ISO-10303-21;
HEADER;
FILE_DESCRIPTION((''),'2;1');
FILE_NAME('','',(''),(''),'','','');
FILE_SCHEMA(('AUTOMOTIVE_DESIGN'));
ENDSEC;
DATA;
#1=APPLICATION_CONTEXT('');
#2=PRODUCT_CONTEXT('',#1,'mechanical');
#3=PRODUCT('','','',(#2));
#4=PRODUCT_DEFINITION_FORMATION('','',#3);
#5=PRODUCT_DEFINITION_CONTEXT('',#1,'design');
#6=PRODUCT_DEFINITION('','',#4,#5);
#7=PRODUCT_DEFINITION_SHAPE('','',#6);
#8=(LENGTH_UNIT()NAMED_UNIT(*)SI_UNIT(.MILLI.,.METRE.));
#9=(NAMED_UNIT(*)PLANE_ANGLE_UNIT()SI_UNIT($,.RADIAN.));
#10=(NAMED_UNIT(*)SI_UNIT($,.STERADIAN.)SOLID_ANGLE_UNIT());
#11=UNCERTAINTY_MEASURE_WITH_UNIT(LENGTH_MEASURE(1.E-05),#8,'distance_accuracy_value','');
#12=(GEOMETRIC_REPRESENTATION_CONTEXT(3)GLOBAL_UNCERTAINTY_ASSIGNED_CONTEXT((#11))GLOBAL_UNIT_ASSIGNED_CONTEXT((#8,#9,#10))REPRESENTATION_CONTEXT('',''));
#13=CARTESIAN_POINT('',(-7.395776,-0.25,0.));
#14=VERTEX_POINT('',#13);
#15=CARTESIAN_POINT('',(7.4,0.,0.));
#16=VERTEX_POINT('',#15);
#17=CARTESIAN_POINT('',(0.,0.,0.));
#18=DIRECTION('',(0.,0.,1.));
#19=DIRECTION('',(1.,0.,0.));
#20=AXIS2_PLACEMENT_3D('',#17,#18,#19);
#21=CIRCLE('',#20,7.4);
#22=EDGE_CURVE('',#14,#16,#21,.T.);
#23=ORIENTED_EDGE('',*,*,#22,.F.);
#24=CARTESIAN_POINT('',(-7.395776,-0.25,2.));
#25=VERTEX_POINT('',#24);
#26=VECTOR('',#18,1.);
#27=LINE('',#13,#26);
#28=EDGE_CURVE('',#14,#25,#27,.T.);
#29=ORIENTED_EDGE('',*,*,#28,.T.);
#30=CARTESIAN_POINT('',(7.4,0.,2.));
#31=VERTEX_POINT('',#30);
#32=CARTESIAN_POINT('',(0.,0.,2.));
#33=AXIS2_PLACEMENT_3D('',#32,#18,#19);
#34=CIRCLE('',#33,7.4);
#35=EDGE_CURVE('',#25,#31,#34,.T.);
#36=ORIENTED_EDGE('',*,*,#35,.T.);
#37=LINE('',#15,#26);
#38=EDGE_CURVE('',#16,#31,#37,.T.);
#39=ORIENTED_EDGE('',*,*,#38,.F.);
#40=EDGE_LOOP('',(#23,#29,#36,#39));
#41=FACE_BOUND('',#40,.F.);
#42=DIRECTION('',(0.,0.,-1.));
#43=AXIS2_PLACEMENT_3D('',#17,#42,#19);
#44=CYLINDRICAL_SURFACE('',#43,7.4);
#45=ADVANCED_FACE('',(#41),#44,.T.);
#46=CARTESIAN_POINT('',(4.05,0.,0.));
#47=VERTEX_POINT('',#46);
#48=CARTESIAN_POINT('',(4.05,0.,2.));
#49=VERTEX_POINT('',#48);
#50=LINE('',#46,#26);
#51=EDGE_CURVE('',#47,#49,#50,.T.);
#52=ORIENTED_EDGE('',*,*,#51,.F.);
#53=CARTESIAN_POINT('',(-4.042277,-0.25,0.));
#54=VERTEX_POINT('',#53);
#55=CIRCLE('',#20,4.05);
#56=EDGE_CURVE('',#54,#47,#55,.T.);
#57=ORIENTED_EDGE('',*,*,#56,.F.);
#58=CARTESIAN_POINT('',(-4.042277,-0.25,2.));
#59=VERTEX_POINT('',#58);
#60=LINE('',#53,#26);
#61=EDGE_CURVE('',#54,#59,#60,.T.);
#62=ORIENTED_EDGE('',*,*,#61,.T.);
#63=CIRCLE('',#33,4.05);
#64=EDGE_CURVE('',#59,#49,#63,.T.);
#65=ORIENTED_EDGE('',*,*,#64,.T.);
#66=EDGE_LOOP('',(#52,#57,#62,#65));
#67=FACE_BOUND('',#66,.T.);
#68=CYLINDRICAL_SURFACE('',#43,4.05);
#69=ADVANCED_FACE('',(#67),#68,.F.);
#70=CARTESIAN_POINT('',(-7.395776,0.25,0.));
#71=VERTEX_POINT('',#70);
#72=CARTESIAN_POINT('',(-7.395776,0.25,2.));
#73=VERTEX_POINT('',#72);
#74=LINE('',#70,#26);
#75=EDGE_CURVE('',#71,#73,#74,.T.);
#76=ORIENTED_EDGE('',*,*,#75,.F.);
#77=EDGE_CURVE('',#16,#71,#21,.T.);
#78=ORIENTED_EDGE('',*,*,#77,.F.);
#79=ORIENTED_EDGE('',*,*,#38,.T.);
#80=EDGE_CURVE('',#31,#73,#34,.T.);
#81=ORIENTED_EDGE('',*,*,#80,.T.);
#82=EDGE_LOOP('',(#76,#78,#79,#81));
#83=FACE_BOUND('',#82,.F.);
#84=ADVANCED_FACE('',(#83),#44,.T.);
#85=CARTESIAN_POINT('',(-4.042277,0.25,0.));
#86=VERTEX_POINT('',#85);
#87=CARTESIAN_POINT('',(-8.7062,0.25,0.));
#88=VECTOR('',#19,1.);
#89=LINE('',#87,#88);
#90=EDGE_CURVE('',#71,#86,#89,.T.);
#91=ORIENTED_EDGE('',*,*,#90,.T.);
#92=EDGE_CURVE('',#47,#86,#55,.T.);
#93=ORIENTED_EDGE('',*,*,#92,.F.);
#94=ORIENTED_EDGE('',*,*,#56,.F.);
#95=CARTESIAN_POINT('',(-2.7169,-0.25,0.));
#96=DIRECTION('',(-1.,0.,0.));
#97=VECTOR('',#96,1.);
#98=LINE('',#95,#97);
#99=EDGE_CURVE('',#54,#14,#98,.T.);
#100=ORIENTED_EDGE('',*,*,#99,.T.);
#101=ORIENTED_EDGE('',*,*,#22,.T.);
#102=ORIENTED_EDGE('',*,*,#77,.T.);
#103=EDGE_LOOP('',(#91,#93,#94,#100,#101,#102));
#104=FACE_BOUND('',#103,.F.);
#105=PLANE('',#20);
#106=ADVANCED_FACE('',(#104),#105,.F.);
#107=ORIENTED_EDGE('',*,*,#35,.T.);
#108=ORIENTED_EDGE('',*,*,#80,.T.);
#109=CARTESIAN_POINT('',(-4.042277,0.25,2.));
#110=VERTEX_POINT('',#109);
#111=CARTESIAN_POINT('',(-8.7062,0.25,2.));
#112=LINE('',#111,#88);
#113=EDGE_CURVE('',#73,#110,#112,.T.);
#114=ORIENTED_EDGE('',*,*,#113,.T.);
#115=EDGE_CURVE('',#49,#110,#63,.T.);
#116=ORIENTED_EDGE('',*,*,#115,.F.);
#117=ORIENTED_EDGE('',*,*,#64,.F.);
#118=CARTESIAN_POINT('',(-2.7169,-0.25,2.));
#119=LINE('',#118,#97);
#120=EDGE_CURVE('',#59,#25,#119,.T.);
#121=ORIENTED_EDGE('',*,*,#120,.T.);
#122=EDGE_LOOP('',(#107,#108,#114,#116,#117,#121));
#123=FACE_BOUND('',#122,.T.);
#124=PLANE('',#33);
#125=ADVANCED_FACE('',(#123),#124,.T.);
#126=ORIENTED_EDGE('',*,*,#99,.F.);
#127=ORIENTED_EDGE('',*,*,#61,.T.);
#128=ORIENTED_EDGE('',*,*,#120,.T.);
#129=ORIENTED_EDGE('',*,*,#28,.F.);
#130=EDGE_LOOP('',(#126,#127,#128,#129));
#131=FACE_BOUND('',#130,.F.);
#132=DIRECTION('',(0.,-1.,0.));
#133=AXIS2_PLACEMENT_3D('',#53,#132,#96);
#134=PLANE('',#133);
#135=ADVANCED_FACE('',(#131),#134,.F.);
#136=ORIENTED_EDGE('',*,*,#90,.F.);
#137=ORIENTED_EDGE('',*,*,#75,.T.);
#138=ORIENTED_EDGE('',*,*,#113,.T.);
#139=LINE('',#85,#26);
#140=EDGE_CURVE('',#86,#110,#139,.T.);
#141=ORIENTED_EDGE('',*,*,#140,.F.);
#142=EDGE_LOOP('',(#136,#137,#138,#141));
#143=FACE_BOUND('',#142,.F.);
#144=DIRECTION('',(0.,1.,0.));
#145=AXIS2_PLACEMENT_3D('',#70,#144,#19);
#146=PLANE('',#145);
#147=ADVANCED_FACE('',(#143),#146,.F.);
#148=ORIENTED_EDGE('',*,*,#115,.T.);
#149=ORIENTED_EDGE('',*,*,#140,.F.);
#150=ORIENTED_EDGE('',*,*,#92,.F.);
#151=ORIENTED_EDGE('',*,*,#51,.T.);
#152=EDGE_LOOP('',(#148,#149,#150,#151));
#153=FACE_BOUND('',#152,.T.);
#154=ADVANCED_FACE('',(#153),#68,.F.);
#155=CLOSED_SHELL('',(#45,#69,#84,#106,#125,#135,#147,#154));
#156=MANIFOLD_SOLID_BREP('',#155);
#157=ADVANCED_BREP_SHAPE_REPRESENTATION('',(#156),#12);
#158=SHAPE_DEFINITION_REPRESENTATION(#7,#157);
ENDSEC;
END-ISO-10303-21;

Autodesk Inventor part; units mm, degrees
ref_plane "YZ Plane" through (0, 0, 0) normal (1, 0, 0) x (0, 1, 0)
ref_plane "XZ Plane" through (0, 0, 0) normal (0, 1, 0) x (-1, 0, 0)
ref_plane "XY Plane" through (0, 0, 0) normal (0, 0, 1) x (1, 0, 0)
sketch "Sketch1" plane through (0, 0, 0) normal (0, 0, 1) x (1, 0, 0)
  circle A0 centre (0, 0) radius 4.05
  circle A1 centre (0, 0) radius 7.4
  line L0 (-8.7062, 0.25) -> (-2.7169, 0.25)
  line L1 (-2.7169, -0.25) -> (-8.7062, -0.25)
  line L2 (-8.7062, 0.25) -> (-8.7062, -0.25)
  line L3 (-2.7169, 0.25) -> (-2.7169, -0.25)
  point P0 (-4.0423, -0.25)
  point P1 (-7.3958, -0.25)
  point P2 (-7.3958, 0.25)
  point P3 (-4.0423, 0.25)
  dimension "d0" = 8.1
  dimension "d1" = 14.8
  dimension "d2" = 0.25
  dimension "d3" = 0.5
extrude "Extrusion1" add sketch "Sketch1" along normal blind 2 contours A0 L0 A1 L1 picked at (6.1755, 0.9009)
properties part number "Arandela Grower M8"
